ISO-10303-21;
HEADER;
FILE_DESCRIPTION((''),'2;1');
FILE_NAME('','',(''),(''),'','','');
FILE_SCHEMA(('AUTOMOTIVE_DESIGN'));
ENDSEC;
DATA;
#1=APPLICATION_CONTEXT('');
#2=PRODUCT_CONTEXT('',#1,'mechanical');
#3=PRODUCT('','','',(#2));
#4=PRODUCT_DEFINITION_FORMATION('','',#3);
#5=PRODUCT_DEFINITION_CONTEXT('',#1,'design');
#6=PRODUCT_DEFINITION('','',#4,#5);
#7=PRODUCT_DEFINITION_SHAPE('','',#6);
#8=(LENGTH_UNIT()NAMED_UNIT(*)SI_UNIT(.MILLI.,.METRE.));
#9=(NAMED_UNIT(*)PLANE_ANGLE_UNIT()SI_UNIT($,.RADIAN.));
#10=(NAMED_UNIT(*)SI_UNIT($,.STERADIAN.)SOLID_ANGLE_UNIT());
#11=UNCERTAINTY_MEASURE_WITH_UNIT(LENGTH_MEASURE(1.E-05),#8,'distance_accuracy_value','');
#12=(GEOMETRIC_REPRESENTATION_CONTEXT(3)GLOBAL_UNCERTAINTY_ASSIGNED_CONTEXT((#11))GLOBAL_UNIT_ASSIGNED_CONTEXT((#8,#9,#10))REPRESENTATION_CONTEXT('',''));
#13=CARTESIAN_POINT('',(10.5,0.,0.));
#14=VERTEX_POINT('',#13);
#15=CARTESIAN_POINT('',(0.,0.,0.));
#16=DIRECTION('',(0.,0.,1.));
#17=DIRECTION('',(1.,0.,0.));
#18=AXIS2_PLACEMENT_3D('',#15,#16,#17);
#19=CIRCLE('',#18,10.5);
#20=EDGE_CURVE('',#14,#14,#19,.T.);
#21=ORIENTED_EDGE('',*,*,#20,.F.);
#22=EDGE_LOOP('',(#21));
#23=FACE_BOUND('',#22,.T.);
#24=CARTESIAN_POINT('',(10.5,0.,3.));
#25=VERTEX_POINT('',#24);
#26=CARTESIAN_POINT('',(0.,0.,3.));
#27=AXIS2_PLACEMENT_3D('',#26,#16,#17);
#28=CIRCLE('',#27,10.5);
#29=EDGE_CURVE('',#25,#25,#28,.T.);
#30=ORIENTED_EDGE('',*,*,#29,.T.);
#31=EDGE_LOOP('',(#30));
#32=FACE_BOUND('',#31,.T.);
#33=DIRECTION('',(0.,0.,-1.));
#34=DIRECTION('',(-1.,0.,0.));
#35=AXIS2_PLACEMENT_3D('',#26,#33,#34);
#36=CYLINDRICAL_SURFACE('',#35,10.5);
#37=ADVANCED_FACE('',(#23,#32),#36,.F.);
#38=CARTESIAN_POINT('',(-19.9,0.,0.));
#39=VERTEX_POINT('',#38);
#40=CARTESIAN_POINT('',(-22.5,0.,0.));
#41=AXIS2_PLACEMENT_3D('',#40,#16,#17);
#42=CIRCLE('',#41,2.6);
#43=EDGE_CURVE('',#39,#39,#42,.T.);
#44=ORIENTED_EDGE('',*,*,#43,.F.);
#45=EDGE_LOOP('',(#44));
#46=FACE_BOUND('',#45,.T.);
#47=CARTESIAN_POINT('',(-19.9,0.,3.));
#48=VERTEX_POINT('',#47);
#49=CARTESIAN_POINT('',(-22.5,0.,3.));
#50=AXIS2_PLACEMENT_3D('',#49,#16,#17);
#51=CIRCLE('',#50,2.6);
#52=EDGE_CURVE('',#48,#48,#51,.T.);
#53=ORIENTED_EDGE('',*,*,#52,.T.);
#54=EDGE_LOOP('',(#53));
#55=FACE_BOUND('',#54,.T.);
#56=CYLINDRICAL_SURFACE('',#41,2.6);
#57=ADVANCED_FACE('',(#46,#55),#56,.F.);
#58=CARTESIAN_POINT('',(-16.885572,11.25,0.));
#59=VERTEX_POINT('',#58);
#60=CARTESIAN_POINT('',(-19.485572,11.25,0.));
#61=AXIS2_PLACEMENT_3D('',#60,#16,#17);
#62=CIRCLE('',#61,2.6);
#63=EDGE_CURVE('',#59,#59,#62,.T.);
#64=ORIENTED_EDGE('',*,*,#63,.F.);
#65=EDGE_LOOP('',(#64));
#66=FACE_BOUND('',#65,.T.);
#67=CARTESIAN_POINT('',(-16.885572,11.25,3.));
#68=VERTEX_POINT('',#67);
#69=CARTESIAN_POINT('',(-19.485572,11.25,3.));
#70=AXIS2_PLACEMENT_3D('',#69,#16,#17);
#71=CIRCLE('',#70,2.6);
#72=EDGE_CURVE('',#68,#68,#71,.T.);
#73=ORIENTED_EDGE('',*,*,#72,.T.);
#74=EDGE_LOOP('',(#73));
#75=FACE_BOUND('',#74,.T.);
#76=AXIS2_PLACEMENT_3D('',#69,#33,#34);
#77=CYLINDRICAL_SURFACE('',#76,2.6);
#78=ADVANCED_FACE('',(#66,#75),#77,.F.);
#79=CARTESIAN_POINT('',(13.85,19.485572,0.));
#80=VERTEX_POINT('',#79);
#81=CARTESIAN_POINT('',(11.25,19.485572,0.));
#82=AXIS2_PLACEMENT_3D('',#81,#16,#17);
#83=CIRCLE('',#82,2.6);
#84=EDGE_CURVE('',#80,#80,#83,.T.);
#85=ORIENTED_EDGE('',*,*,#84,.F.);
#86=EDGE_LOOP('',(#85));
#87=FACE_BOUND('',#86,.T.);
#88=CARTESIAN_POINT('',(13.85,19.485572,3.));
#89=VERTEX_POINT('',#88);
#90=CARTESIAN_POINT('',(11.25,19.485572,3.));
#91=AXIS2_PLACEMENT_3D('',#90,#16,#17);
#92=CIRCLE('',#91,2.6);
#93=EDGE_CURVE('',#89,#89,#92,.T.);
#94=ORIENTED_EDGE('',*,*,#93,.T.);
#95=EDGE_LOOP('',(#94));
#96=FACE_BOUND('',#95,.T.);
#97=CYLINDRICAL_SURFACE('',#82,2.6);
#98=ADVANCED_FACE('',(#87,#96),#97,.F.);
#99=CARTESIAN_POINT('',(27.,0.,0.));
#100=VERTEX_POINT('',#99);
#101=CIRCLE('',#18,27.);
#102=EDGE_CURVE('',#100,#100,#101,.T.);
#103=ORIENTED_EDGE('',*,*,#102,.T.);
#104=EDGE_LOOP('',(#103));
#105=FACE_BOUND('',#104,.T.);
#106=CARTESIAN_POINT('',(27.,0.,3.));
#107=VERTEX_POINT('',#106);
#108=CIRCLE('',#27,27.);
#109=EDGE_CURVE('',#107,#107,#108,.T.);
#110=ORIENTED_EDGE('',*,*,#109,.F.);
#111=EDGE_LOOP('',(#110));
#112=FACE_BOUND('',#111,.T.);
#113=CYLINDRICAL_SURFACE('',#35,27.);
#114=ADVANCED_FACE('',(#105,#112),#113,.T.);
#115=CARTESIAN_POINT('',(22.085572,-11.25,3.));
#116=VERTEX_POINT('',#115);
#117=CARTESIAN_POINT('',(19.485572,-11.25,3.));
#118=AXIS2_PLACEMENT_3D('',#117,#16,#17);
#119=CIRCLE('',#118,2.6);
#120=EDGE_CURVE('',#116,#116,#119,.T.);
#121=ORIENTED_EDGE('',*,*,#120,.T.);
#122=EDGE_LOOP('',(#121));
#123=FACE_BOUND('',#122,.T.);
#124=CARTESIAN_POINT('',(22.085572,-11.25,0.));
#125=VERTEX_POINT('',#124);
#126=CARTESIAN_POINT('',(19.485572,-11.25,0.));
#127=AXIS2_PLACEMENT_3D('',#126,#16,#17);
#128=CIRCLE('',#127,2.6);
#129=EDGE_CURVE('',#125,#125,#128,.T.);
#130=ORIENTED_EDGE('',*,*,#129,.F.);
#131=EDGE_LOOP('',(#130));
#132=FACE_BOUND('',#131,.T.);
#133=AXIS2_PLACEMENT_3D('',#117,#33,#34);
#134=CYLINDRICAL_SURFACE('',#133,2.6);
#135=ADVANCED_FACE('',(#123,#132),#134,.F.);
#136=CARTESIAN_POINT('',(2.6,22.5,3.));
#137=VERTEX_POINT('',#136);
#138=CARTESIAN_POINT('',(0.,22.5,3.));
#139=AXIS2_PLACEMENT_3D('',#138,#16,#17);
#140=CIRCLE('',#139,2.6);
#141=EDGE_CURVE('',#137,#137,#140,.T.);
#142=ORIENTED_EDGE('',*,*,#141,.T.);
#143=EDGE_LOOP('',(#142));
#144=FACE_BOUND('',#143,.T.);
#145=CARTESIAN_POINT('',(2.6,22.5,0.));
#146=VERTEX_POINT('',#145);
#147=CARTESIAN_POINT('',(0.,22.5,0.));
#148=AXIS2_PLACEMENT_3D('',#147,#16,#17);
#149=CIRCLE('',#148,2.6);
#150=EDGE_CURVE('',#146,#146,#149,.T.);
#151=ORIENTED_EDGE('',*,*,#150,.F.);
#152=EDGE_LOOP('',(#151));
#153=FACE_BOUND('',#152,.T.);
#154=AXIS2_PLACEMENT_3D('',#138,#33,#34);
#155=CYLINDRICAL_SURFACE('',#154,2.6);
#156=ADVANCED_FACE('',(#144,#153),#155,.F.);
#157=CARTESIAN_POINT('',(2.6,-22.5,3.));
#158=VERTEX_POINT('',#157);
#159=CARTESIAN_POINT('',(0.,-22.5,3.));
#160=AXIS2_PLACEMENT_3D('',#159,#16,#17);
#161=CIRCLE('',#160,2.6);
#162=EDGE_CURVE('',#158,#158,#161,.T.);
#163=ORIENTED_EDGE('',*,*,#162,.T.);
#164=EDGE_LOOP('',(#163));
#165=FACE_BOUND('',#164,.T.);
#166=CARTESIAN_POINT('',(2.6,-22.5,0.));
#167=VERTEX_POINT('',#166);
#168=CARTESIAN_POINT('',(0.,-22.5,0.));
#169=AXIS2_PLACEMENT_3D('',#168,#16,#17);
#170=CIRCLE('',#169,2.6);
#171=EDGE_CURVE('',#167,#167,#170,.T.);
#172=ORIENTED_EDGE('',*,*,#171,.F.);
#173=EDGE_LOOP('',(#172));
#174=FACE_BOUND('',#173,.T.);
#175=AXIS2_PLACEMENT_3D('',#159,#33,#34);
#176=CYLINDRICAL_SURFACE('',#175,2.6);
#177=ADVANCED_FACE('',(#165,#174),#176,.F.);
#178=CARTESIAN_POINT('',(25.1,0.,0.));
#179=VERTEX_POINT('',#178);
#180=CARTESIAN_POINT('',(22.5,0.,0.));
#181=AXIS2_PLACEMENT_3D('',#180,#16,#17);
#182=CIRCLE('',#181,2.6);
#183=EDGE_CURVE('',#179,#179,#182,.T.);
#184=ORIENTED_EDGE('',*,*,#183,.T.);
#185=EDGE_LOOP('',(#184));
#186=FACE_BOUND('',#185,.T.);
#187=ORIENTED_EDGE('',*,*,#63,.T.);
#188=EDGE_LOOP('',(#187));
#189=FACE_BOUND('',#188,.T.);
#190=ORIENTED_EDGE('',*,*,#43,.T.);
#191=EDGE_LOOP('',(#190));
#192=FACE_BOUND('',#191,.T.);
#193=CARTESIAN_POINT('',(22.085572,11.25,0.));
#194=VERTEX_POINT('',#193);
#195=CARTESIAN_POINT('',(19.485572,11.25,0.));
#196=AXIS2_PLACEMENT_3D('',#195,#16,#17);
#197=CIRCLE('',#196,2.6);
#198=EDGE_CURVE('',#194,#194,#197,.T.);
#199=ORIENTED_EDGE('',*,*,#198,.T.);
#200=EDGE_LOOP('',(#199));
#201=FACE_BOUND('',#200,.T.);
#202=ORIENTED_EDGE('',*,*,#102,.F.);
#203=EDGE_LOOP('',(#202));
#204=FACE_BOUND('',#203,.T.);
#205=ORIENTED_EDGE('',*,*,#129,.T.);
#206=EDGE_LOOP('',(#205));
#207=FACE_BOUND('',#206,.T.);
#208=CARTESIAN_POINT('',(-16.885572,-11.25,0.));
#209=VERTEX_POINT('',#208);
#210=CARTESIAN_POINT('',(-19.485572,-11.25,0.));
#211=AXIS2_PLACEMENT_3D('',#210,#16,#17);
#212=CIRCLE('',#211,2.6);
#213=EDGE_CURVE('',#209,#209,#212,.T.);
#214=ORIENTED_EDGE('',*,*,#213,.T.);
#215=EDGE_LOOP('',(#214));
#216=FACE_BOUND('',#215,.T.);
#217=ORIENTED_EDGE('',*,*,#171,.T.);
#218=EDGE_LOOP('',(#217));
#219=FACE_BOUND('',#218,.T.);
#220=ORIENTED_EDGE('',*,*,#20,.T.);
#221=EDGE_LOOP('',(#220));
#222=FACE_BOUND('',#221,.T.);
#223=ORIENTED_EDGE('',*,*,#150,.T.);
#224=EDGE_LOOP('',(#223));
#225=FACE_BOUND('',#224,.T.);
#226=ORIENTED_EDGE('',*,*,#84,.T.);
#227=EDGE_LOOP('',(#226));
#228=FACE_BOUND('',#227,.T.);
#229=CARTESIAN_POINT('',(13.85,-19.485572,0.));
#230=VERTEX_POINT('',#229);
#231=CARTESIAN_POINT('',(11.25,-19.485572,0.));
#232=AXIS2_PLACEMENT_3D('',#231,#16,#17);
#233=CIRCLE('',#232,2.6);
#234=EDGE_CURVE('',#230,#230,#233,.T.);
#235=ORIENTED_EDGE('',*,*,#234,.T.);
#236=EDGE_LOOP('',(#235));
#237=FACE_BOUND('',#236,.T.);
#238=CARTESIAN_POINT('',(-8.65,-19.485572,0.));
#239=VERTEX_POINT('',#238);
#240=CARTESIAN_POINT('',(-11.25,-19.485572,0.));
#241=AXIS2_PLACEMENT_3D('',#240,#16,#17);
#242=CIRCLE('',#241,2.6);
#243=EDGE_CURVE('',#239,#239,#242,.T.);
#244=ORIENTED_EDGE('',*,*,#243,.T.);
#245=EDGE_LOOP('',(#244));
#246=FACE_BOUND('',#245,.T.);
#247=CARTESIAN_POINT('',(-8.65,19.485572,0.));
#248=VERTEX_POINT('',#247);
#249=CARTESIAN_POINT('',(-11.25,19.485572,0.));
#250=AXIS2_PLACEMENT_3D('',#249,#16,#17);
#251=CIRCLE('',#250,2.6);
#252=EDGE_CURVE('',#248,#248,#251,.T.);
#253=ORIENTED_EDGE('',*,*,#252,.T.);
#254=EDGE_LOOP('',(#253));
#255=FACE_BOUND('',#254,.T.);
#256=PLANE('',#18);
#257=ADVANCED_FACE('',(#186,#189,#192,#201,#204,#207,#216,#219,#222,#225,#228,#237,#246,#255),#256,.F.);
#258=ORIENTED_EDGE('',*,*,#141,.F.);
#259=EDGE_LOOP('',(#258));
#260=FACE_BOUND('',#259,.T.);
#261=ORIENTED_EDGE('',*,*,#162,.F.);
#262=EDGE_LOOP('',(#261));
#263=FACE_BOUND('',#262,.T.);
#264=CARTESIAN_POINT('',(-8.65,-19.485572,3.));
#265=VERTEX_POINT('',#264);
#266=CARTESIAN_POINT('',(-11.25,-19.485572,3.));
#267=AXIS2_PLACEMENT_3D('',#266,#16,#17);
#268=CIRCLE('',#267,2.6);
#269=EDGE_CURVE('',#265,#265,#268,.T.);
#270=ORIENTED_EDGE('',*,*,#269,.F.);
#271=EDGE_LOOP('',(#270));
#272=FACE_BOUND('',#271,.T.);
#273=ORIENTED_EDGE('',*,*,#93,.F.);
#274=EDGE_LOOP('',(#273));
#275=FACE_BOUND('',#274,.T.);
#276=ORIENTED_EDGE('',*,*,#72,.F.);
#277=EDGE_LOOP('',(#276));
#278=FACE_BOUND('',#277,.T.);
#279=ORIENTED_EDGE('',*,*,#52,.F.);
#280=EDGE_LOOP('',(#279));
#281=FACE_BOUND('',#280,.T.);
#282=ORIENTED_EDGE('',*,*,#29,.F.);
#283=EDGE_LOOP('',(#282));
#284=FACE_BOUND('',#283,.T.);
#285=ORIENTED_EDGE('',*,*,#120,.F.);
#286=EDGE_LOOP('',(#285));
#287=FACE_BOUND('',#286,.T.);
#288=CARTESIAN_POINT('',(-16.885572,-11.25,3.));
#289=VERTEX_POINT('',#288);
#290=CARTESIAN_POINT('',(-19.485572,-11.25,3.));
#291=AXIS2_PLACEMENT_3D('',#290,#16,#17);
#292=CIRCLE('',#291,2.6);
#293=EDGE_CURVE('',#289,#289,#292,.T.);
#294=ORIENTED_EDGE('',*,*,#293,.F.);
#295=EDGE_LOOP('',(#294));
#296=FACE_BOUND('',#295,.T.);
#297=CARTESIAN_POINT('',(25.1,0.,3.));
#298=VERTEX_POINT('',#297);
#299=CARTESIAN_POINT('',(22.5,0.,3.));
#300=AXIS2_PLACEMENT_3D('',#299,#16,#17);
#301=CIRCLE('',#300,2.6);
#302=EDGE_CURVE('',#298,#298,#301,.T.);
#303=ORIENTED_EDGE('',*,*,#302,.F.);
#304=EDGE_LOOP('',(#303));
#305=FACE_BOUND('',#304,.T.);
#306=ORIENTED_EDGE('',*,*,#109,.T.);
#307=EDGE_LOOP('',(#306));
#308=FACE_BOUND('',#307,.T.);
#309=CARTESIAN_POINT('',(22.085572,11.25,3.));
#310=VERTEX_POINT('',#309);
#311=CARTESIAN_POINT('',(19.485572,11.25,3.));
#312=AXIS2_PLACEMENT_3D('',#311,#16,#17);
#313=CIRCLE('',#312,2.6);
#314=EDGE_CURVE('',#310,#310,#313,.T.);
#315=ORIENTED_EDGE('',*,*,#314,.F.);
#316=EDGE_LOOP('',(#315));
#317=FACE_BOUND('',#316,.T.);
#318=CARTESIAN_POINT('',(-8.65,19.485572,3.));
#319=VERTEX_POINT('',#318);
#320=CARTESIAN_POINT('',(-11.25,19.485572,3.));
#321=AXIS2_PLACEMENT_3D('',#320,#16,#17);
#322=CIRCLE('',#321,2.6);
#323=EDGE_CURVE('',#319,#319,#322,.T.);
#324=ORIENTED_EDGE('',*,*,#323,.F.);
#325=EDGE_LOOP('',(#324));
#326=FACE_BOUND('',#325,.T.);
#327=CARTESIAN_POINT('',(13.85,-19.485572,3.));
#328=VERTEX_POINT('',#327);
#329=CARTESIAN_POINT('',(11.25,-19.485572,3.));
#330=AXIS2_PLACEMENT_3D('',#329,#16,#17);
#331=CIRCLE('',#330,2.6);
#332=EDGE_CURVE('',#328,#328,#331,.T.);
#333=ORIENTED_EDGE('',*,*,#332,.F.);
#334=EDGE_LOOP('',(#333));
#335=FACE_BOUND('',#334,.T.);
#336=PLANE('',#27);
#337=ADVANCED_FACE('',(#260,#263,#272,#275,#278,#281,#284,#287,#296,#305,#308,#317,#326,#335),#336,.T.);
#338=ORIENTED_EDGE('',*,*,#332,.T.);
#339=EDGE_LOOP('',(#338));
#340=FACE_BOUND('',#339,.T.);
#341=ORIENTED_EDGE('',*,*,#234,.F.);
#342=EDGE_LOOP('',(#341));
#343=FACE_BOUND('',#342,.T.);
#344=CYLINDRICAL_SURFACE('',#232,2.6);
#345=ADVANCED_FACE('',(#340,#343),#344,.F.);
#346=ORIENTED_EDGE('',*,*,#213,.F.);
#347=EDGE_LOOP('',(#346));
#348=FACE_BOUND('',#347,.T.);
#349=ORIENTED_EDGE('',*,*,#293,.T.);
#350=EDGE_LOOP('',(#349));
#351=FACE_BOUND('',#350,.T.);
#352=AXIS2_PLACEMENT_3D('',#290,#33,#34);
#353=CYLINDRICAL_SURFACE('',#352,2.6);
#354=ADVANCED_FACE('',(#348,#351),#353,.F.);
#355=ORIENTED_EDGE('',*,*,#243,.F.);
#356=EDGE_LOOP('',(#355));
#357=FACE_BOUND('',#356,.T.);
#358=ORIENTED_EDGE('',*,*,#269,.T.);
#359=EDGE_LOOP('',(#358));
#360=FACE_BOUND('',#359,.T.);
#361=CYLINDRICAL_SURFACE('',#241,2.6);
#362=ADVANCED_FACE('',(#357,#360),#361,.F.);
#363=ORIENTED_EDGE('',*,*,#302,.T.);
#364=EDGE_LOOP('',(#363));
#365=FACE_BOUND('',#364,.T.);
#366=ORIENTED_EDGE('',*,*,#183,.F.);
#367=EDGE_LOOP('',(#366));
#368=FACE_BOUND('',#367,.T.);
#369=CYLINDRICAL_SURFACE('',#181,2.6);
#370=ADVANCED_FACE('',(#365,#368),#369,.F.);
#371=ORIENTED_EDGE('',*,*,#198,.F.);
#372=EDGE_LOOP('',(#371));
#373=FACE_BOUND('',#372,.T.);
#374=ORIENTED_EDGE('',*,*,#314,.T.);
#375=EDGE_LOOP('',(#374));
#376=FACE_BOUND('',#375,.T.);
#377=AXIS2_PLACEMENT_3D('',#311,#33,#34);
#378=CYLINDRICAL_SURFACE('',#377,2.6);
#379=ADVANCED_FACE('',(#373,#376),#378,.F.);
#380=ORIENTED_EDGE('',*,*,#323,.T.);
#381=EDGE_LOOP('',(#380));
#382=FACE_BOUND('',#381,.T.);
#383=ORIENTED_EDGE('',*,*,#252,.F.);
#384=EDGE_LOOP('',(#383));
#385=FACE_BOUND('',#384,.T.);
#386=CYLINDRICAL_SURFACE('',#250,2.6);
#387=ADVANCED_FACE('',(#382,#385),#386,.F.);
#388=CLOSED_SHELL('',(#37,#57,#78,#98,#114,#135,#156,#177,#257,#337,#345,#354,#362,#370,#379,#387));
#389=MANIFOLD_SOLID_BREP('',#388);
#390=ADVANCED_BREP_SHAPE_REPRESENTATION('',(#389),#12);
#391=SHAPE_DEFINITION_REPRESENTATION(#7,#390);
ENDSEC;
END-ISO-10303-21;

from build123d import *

# Parameters (mm, degrees)
SKETCH_1_R          = 27
SKETCH_1_R_2        = 10.5
SKETCH_1_R_3        = 2.6
EXTRUDE_1_DEPTH     = 3
SKETCH_3_R          = 2.6
CUT_EXTRUDE_2_DEPTH = 3


with BuildPart() as part:
    # 草图1 → 凸台-拉伸1 (new body)
    with BuildSketch(Plane.XY):
        Circle(SKETCH_1_R)
        Circle(SKETCH_1_R_2, mode=Mode.SUBTRACT)
        with Locations((0, 22.5)):
            Circle(SKETCH_1_R_3, mode=Mode.SUBTRACT)
        with Locations((19.485571585, 11.25)):
            Circle(SKETCH_1_R_3, mode=Mode.SUBTRACT)
        with Locations((19.485571585, -11.25)):
            Circle(SKETCH_1_R_3, mode=Mode.SUBTRACT)
        with Locations((0, -22.5)):
            Circle(SKETCH_1_R_3, mode=Mode.SUBTRACT)
        with Locations((-19.485571585, -11.25)):
            Circle(SKETCH_1_R_3, mode=Mode.SUBTRACT)
        with Locations((-19.485571585, 11.25)):
            Circle(SKETCH_1_R_3, mode=Mode.SUBTRACT)
    extrude(amount=EXTRUDE_1_DEPTH)

    # 草图3 → 切除-拉伸2 (cut)
    with BuildSketch(Plane.XY.offset(3)):
        with Locations((11.25, 19.485571585)):
            Circle(SKETCH_3_R)
        with Locations((22.5, 0)):
            Circle(SKETCH_3_R)
        with Locations((11.25, -19.485571585)):
            Circle(SKETCH_3_R)
        with Locations((-11.25, -19.485571585)):
            Circle(SKETCH_3_R)
        with Locations((-22.5, 0)):
            Circle(SKETCH_3_R)
        with Locations((-11.25, 19.485571585)):
            Circle(SKETCH_3_R)
    extrude(amount=-CUT_EXTRUDE_2_DEPTH, mode=Mode.SUBTRACT)


solid = part.part
